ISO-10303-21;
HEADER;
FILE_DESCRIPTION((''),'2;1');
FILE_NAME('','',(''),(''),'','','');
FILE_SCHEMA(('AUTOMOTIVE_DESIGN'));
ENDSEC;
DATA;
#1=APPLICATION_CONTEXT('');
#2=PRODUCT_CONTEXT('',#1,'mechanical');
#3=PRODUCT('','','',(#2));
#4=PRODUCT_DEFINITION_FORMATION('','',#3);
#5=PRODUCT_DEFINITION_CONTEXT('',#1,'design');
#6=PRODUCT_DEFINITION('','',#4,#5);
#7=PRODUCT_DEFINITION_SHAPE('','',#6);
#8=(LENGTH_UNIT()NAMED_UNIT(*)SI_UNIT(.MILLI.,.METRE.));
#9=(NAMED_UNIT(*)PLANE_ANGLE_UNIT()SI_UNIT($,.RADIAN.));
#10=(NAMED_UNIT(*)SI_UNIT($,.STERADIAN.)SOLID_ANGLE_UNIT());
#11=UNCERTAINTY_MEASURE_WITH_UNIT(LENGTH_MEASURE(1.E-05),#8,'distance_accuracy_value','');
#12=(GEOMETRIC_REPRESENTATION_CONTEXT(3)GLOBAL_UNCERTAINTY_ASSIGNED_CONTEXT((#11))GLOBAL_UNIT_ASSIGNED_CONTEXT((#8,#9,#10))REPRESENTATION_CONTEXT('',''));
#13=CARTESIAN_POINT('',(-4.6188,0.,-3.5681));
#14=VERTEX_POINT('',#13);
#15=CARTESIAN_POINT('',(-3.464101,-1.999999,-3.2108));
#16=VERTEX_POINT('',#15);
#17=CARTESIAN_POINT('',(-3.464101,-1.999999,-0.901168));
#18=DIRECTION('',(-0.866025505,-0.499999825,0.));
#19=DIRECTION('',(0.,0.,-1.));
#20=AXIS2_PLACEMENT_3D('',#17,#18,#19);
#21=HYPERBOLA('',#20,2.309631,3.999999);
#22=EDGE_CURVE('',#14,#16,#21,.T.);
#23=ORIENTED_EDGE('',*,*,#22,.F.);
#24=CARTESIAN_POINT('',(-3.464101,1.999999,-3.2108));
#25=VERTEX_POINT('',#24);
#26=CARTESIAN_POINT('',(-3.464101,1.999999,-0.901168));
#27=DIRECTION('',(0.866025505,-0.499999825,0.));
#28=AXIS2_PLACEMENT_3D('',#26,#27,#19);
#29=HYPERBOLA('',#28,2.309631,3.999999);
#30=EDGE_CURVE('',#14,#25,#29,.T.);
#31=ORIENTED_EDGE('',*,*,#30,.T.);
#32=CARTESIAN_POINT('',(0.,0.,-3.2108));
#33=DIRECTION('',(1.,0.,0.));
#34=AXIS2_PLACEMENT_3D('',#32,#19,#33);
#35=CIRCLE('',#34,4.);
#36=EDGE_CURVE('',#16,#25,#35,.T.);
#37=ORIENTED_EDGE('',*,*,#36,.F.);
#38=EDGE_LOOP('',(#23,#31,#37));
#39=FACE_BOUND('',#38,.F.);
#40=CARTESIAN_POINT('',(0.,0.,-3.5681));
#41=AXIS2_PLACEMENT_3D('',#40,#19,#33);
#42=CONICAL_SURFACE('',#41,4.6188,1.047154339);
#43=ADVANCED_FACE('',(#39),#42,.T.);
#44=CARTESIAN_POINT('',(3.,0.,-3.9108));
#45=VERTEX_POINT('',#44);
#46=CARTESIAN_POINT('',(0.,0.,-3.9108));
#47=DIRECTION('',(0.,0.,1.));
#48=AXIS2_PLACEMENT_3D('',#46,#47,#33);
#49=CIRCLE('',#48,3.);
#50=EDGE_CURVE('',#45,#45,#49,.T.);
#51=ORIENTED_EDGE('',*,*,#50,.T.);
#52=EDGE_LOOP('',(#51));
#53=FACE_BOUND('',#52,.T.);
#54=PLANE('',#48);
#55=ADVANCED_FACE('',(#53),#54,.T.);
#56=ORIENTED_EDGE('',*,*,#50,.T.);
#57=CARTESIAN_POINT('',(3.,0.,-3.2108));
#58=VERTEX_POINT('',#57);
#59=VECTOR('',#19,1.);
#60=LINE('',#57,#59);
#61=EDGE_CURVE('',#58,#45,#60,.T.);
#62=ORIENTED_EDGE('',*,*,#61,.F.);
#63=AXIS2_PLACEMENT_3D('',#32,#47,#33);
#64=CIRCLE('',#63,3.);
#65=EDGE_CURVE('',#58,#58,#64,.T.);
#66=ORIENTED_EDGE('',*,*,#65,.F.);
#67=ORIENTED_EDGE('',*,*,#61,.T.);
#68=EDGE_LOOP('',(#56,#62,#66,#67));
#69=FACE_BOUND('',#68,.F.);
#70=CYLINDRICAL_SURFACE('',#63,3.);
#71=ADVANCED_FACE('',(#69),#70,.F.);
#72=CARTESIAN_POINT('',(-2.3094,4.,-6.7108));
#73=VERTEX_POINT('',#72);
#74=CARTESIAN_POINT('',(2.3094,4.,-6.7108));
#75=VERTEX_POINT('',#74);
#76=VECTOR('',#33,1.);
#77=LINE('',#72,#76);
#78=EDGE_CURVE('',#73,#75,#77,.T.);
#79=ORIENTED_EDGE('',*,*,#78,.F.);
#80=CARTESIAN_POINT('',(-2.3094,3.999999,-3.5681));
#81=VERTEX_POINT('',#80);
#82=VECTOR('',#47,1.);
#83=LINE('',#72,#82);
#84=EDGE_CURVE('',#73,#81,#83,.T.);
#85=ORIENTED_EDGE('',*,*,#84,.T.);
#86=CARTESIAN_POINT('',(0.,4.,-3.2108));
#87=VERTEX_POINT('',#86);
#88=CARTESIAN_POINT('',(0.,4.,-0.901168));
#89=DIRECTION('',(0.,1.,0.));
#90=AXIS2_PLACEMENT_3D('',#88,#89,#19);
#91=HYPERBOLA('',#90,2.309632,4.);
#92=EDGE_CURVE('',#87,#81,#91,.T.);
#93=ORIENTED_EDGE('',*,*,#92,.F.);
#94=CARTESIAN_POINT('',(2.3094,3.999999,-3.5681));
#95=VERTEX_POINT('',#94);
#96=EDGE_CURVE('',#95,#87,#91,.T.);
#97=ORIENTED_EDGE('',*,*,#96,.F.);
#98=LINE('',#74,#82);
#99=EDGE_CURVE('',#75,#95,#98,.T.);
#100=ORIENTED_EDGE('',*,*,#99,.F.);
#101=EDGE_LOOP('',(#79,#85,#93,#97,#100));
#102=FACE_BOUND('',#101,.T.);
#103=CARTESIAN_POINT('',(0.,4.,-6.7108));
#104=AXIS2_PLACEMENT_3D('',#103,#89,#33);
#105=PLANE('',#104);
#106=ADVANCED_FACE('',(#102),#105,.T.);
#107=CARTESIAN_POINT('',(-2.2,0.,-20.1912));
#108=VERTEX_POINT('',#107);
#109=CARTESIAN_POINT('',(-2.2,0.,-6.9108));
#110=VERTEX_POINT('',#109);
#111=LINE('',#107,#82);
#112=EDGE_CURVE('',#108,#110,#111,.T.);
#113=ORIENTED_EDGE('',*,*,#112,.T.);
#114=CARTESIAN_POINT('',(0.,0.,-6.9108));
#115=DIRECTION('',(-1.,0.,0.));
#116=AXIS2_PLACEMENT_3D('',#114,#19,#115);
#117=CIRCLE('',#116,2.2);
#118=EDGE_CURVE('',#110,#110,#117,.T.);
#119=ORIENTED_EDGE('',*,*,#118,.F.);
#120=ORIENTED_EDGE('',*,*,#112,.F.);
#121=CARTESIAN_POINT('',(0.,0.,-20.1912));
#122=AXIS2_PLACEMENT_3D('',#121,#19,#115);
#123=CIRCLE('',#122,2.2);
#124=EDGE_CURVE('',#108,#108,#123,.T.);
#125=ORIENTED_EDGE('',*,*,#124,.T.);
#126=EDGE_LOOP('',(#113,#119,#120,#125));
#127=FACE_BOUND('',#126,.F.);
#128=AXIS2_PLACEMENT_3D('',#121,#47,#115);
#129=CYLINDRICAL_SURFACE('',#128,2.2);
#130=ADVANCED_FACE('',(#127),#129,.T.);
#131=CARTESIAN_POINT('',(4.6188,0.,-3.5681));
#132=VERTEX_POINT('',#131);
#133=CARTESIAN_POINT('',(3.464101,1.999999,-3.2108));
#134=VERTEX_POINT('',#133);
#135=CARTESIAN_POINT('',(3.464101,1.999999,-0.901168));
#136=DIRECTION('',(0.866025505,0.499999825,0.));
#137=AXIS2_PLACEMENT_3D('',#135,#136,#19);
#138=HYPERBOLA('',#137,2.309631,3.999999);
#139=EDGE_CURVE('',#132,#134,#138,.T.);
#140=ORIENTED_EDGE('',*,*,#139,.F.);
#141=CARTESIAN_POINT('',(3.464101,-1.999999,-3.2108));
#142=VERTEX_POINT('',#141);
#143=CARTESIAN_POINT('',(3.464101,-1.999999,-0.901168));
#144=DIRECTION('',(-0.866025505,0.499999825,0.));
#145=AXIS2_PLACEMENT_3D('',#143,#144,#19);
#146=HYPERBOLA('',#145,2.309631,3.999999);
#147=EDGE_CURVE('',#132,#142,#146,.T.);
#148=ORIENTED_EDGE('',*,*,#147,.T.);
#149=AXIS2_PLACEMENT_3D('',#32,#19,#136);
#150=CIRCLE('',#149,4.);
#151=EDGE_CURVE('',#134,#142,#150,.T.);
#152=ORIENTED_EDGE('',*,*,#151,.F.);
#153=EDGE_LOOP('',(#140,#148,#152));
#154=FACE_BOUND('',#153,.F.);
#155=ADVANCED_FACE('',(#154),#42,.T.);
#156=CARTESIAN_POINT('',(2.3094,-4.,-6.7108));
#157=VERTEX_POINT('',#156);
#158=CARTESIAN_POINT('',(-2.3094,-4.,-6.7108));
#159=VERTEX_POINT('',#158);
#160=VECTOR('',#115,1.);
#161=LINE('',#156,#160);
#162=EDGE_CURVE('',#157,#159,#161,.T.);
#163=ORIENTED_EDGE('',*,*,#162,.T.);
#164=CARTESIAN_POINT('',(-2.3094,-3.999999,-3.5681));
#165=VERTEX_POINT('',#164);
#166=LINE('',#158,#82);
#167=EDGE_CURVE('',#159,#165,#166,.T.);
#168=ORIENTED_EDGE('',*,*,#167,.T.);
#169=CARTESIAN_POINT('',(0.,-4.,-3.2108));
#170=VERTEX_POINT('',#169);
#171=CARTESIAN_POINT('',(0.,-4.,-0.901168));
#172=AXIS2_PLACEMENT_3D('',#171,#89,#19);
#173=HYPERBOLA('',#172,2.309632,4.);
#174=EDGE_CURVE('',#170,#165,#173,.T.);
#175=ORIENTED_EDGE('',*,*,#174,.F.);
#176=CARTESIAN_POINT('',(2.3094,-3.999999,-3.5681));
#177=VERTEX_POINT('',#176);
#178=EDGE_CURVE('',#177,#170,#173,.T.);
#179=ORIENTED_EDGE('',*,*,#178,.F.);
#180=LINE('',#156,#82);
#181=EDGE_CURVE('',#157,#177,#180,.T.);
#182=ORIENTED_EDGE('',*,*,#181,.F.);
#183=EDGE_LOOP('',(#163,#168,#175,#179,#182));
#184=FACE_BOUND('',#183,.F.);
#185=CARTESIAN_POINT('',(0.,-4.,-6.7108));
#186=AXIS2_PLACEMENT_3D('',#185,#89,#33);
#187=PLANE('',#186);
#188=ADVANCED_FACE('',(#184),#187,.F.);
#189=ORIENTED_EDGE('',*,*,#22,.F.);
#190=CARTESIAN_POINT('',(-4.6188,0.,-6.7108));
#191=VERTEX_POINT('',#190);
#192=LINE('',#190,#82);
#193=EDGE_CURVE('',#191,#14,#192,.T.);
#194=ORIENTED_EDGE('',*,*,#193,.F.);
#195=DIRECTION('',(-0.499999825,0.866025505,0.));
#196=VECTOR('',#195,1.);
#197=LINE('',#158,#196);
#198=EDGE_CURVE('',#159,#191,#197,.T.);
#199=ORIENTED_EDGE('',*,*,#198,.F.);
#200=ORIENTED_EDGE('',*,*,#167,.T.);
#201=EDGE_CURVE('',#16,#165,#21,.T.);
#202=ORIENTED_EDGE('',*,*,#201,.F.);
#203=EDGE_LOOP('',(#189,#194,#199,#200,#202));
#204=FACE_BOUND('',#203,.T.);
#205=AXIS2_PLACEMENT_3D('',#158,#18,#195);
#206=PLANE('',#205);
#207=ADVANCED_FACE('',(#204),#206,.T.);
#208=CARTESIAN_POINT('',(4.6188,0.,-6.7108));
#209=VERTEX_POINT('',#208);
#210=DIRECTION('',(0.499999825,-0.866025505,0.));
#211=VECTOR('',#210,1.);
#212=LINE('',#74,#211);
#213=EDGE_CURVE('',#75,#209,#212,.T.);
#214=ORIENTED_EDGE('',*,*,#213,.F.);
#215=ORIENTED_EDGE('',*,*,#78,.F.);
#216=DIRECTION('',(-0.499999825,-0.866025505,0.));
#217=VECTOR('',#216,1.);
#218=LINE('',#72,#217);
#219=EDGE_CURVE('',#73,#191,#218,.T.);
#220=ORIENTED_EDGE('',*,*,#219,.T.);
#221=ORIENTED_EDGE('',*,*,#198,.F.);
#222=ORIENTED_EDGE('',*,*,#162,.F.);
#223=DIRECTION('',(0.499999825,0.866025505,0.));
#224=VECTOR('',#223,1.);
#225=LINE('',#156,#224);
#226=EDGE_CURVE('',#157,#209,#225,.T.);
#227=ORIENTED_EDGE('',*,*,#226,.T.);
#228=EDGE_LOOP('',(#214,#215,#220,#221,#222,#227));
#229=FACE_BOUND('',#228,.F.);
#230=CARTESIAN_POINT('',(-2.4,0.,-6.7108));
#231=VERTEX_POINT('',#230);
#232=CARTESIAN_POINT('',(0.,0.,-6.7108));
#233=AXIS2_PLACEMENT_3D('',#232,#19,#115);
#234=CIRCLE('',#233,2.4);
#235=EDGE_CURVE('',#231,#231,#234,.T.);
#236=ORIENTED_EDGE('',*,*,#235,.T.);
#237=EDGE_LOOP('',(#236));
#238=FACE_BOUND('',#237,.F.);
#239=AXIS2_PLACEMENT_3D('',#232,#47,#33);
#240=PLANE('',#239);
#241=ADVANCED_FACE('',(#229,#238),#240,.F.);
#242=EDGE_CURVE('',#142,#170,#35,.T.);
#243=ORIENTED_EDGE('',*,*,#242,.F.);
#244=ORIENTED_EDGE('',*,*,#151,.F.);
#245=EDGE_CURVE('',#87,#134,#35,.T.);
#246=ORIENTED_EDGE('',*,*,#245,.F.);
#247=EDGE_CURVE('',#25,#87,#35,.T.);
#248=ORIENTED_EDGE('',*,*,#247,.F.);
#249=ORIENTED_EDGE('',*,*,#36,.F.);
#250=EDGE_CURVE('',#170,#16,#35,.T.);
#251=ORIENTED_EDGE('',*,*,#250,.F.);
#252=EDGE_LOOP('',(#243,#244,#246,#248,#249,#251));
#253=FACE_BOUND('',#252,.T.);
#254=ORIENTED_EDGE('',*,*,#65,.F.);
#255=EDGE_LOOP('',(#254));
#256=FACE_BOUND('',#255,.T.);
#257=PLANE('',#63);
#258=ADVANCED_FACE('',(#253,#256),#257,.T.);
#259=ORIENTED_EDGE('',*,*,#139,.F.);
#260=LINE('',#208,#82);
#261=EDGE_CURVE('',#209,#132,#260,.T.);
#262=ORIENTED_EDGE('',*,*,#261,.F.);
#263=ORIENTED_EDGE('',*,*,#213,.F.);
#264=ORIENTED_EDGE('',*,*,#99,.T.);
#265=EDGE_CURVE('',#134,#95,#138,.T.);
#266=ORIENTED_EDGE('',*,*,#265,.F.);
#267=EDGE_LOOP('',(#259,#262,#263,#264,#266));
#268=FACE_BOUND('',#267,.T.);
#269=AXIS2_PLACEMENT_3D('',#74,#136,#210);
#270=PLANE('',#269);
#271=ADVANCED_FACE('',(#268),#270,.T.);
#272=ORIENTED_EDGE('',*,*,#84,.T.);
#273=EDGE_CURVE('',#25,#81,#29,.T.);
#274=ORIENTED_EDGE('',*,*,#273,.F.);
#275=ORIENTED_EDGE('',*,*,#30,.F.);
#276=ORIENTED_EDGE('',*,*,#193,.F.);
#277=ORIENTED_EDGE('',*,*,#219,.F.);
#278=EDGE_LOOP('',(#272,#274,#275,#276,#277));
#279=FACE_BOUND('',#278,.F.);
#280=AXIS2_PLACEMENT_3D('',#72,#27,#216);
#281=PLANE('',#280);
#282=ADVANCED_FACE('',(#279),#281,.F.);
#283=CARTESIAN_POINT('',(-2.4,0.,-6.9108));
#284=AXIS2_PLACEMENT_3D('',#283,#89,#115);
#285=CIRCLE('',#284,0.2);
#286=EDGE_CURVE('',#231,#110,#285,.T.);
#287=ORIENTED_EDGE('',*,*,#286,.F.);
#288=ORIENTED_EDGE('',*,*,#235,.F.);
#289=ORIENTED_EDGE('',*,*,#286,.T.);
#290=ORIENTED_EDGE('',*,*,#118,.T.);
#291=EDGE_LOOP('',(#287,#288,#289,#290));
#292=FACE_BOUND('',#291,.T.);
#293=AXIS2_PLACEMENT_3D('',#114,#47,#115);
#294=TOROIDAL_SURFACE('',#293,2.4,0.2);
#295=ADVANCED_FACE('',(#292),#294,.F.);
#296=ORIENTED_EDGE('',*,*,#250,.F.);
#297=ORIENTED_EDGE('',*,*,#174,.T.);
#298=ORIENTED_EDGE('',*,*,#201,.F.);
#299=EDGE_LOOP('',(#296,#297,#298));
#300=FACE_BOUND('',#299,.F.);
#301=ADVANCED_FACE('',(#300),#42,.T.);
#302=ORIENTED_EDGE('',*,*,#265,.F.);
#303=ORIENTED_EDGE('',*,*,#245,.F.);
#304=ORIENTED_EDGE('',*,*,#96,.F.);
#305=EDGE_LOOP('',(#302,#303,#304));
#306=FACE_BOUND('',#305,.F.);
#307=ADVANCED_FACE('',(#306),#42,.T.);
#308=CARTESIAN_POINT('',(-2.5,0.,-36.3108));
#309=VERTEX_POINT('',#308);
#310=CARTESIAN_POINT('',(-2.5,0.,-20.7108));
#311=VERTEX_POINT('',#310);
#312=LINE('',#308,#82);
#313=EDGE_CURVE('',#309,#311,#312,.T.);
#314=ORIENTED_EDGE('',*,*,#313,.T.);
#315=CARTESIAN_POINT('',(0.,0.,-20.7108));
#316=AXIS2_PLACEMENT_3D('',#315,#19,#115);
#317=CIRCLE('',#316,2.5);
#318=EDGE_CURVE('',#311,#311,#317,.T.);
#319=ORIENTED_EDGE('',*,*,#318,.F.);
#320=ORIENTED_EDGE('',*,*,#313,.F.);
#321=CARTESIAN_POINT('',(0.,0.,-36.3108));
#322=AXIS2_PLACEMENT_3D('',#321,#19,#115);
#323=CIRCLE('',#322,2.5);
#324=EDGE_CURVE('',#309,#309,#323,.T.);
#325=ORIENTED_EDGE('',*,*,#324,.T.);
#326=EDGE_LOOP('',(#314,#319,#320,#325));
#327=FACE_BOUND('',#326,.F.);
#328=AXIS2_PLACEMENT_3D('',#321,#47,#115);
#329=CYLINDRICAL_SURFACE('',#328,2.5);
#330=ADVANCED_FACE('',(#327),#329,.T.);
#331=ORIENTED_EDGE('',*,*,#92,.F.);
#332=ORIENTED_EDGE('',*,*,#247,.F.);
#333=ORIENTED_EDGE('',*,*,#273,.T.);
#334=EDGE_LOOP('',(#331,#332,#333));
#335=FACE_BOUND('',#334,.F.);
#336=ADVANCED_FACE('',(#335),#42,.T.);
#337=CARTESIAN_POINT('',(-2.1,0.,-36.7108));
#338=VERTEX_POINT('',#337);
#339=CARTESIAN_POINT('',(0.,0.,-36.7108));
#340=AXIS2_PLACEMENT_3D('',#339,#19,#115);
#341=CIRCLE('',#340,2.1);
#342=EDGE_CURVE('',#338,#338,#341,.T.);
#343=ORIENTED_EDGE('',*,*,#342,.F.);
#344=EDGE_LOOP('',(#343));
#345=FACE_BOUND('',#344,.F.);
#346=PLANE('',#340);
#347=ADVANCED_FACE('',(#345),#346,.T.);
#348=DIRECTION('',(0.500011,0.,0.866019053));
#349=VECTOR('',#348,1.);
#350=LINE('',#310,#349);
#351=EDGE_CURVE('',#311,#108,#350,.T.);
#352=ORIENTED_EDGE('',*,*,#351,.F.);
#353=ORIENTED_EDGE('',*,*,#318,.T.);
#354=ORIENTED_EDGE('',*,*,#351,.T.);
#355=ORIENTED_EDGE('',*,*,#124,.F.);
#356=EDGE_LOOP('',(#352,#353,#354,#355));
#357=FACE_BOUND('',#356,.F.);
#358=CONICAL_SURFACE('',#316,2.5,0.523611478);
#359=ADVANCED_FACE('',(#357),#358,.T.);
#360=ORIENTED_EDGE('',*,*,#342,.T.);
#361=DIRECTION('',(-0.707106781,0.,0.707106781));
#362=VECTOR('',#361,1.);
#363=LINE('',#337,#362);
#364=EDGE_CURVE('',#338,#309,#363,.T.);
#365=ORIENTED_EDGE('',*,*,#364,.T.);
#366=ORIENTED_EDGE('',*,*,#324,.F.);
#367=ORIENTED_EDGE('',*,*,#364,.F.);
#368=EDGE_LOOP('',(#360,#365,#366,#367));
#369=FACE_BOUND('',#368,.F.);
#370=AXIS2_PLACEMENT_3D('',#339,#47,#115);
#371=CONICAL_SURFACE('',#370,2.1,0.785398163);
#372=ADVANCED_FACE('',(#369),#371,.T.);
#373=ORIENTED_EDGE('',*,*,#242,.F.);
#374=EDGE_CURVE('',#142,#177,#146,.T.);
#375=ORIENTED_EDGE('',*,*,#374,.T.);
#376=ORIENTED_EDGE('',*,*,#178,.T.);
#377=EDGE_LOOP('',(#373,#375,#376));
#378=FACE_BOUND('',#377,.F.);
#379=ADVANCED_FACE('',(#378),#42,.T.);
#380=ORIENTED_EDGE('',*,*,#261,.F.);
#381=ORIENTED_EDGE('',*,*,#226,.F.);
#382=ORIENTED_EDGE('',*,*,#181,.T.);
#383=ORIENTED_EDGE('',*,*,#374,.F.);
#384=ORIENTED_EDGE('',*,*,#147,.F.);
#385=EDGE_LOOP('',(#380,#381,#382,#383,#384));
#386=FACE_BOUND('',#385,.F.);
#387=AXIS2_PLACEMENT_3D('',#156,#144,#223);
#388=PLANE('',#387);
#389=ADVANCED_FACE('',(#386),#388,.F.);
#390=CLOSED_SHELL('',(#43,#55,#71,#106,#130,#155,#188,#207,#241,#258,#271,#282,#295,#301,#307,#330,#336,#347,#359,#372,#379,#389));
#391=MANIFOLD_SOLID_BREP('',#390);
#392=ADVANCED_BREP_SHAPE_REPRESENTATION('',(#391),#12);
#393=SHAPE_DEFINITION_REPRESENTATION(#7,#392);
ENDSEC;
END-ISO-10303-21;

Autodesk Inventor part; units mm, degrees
ref_plane "YZ Plane" through (0, 0, 0) normal (1, 0, 0) x (0, 1, 0)
sketch "Sketch2" plane through (0, 0, 0) normal (0, 1, 0) x (-1, 0, 0)
  line L0 (0, -6.7108) -> (0, -36.7108)
  line L1 (0, -36.7108) -> (2.1, -36.7108)
  line L2 (2.5, -36.3108) -> (2.5, -20.7108)
  line L3 (2.5, -20.7108) -> (2.2, -20.1912)
  line L4 (2.2, -20.1912) -> (2.2, -6.7108)
  line L5 (2.2, -6.7108) -> (0, -6.7108)
  line L6 (2.1, -36.7108) -> (2.5, -36.3108)
  line L7 (2.5, -36.7108) -> (2.5, -37.2765)
  line L8 (0, -43.3897) -> (0, -0.5977) projected
  dimension "Ds" = 4.4
  dimension "NND" = 5
  dimension "b" = 16
  dimension "d3" = 30
  dimension "d5" = 45
  dimension "PTC" = 0.8
  dimension "NLG" = 30
revolve "Revolution1" add sketch "Sketch2" angle 360 about axis through (0, 0, -6.7108) along (0, 0, -1)
sketch "Sketch3" plane through (0, 0, -6.7108) normal (0, 0, 1) x (1, 0, 0)
  circle A0 centre (0, 0) radius 2.2 projected
  line L0 (0, 4) -> (2.3094, 4)
  line L1 (2.3094, 4) -> (4.6188, 0)
  line L2 (4.6188, 0) -> (0, 0)
  line L3 (0, 0) -> (0, 4)
  line L4 (0, 4) -> (-2.3094, 4)
  line L5 (-2.3094, 4) -> (-4.6188, 0)
  line L6 (0, -4) -> (2.3094, -4)
  line L7 (2.3094, -4) -> (4.6188, 0)
  line L8 (-2.3094, -4) -> (-4.6188, 0)
  line L9 (0, -4) -> (-2.3094, -4)
  dimension "d9" = 60
  dimension "ParS" = 8
  dimension "msp_d11" = 8
extrude "Extrusion1" add sketch "Sketch3" along normal blind 3.5
sketch "Sketch4" plane through (0, 0, 0) normal (0, 1, 0) x (-1, 0, 0)
  line L0 (-4, -3.2108) -> (-4.6188, -3.2108)
  line L1 (-4.6188, -3.2108) -> (-4.6188, -3.5681)
  line L2 (-4.6188, -3.5681) -> (-4, -3.2108)
  line L3 (0, -13.5602) -> (0, 34.3854) projected
  line L4 (0, 27.536) -> (0, 27.1787)
  line L5 (-4.6188, -6.7108) -> (-4.6188, -3.2108) projected
  line L6 (-2.3094, -3.2108) -> (-4.6188, -3.2108) projected
  dimension "d14" = 30
  dimension "msp_d15" = 8
revolve "Revolution2" cut sketch "Sketch4" angle 360 about axis through (0, 0, 27.536) along (0, 0, -1)
sketch "Sketch5" plane through (0, 0, -3.2108) normal (0, 0, 1) x (1, 0, 0)
  arc A0 (3.4641, 2) -> (0, 4) centre (0, 0) ccw projected
  circle A1 centre (0, 0) radius 3
  dimension "d27" = 6
extrude "Extrusion2" cut sketch "Sketch5" against normal blind 0.7
thread "Thread1" size "M5x0.8" class "6g" standard "ISO Metric profile" full length
ref_plane "MSC_PF1" through (0, 0, 0) normal (0, 1, 0) x (-1, 0, 0)
ref_plane "MSC_PT1" through (0, 0, -6.7108) normal (0, 0, -1) x (-1, 0, 0)
fillet "Fillet1" radius 0.2 1 edges at (2.2, 0, -6.7108)
equation "\"msp_d11\" = ParS"
equation "\"msp_d15\" = ParS"
equation "\"d27\" = 0.75 * ParS"
equation "\"d28\" = 0.2 * ParK"
equation "\"d30\" = r"
equation "\"msp_d17\" = b"
equation "\"r\" = 0.2"
equation "\"THREADDIA\" = NND"
equation "\"ParK\" = 3.5"
properties part number "ISO 4015 - M5 x 30" material "Stainless Steel, 440C"
